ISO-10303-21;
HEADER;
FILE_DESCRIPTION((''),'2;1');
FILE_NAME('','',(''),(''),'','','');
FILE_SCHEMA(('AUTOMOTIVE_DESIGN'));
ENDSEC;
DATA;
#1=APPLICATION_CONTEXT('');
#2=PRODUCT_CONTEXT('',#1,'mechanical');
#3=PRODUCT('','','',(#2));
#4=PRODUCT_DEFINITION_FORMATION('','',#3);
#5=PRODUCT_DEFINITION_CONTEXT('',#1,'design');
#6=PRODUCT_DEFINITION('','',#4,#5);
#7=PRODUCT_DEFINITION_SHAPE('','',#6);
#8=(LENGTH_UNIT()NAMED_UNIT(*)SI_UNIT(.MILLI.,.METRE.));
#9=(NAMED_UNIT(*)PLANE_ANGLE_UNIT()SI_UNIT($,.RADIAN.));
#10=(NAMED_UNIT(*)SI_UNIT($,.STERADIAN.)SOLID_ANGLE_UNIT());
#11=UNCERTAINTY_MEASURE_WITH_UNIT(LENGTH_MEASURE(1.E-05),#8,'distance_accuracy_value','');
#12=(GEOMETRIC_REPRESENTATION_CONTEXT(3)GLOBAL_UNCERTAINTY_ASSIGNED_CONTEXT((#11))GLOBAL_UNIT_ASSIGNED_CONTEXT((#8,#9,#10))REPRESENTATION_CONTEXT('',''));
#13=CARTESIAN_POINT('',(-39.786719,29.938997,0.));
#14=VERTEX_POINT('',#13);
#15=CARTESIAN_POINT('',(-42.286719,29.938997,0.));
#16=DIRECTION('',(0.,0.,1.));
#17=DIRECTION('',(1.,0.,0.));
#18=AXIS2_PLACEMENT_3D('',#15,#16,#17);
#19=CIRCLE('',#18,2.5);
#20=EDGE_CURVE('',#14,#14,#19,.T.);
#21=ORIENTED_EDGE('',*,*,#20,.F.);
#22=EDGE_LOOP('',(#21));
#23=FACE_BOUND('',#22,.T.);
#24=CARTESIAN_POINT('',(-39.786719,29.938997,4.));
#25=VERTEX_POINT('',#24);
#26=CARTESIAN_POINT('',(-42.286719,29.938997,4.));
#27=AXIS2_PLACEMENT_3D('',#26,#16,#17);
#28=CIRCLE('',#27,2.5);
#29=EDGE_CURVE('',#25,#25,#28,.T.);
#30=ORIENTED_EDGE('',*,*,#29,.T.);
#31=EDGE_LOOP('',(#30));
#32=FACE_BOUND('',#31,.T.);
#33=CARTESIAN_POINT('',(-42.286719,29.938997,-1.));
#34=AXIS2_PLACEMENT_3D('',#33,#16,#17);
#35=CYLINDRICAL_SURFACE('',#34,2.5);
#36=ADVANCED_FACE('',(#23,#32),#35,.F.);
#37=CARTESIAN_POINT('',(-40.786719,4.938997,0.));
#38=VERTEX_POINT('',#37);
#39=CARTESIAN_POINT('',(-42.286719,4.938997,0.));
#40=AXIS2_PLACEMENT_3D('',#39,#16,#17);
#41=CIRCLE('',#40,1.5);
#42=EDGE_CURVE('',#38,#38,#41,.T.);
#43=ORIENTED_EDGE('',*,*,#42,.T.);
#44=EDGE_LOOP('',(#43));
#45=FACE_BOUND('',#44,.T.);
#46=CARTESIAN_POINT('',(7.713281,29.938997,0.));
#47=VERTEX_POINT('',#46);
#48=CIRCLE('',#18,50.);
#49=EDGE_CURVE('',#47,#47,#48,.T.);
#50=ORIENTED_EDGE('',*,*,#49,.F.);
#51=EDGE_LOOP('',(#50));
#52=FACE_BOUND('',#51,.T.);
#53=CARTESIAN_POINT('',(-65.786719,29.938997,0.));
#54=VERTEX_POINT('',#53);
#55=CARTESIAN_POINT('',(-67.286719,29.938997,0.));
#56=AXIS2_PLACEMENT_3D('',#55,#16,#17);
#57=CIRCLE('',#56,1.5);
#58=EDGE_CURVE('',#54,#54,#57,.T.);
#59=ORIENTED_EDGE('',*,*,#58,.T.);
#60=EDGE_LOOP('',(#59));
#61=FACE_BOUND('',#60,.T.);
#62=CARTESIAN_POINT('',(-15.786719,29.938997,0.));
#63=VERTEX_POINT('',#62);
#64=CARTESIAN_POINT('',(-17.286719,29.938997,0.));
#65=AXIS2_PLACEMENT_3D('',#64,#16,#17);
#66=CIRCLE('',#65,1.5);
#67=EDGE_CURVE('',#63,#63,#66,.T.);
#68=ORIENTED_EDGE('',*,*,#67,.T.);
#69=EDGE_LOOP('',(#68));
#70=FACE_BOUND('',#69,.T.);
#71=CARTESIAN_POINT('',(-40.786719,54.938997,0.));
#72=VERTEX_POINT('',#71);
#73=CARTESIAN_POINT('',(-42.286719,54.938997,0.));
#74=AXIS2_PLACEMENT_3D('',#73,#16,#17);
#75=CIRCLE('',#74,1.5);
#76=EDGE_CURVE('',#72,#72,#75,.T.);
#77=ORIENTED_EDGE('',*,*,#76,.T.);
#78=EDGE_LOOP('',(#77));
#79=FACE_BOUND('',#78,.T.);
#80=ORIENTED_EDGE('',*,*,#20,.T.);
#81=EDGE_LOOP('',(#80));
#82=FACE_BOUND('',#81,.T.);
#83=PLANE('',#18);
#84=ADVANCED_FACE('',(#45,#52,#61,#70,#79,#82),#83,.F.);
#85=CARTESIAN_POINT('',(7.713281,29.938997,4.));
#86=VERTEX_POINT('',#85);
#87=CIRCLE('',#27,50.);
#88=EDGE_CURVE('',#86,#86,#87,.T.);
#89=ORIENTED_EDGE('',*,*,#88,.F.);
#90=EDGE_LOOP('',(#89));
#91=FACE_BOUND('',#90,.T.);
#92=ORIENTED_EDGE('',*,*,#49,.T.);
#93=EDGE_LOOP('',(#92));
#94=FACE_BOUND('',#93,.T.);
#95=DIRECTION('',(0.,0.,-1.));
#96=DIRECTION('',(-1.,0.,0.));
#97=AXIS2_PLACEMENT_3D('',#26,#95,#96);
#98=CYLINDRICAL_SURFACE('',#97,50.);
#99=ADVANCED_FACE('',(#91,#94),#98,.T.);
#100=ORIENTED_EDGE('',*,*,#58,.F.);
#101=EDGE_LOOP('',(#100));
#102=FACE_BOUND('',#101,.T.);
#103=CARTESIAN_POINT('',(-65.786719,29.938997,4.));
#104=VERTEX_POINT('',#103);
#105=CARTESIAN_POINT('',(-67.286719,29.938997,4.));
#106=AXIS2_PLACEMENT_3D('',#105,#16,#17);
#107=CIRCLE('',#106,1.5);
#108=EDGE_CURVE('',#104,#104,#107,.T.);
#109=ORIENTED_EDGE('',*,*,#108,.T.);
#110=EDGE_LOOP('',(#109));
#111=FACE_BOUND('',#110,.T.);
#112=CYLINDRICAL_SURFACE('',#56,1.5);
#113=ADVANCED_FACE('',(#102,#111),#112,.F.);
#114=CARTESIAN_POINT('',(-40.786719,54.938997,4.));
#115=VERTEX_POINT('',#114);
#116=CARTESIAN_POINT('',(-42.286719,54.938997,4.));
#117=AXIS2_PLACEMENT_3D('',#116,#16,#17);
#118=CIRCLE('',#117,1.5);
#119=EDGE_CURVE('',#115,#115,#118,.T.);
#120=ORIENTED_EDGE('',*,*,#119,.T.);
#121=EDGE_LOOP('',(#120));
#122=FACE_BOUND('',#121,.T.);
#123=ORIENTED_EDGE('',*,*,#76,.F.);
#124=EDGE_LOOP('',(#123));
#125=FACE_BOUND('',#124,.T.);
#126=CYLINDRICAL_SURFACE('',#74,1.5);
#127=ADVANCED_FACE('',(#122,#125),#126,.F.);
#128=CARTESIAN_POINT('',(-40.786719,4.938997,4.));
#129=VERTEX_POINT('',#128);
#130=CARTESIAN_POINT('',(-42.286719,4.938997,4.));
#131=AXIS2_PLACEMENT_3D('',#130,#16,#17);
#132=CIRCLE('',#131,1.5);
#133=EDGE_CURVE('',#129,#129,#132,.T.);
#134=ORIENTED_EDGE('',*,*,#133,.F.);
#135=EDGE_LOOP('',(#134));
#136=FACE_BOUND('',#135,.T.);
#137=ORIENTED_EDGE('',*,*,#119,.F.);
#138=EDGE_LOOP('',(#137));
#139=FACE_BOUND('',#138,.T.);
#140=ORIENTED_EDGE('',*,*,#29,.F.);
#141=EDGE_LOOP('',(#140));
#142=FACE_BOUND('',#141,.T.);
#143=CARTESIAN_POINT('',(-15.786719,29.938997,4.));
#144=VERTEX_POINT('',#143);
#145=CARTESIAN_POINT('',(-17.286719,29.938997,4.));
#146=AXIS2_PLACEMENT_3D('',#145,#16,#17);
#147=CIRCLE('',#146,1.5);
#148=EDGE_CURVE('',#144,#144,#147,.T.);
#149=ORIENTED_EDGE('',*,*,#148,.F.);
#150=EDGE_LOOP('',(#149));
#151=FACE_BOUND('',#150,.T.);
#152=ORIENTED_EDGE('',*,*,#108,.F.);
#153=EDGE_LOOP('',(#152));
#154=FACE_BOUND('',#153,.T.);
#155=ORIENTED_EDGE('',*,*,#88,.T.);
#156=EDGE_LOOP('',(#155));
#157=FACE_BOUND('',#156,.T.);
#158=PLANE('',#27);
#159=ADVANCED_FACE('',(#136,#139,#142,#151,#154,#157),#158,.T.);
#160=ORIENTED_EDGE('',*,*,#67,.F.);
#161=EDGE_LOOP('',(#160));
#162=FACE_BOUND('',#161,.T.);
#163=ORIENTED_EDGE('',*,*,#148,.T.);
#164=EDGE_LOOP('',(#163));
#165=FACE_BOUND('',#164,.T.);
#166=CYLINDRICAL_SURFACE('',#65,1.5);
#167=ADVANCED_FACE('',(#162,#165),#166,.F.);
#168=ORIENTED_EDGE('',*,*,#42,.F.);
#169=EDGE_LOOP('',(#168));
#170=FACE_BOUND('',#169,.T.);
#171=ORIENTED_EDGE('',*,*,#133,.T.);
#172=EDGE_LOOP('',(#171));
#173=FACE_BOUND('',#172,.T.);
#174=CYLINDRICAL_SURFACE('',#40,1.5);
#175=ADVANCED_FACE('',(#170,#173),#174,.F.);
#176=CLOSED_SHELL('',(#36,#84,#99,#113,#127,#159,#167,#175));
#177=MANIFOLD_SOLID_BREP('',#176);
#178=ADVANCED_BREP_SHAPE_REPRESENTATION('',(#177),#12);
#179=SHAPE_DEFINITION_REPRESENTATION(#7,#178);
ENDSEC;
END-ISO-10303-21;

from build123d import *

# Parameters (mm, degrees)
SKETCH1_R           = 50
BOSS_EXTRUDE1_DEPTH = 4
SKETCH4_R           = 2.5
CUT_EXTRUDE1_DEPTH  = 5
SKETCH5_R           = 1.5
CUT_EXTRUDE2_DEPTH  = 4


with BuildPart() as part:
    # Sketch1 → Boss-Extrude1 (new body)
    with BuildSketch(Plane.XY):
        with Locations((-42.286719292, 29.938997259)):
            Circle(SKETCH1_R)
    extrude(amount=BOSS_EXTRUDE1_DEPTH)

    # Sketch4 → Cut-Extrude1 (cut)
    with BuildSketch(Plane.XY.offset(4)):
        with Locations((-42.286719292, 29.938997259)):
            Circle(SKETCH4_R)
    extrude(amount=-CUT_EXTRUDE1_DEPTH, mode=Mode.SUBTRACT)

    # Sketch5 → Cut-Extrude2 (cut)
    with BuildSketch(Plane.XY.offset(4)):
        with Locations((-67.286719292, 29.938997259)):
            Circle(SKETCH5_R)
        with Locations((-42.286719292, 54.938997259)):
            Circle(SKETCH5_R)
        with Locations((-17.286719292, 29.938997259)):
            Circle(SKETCH5_R)
        with Locations((-42.286719292, 4.938997259)):
            Circle(SKETCH5_R)
    extrude(amount=-CUT_EXTRUDE2_DEPTH, mode=Mode.SUBTRACT)


solid = part.part
